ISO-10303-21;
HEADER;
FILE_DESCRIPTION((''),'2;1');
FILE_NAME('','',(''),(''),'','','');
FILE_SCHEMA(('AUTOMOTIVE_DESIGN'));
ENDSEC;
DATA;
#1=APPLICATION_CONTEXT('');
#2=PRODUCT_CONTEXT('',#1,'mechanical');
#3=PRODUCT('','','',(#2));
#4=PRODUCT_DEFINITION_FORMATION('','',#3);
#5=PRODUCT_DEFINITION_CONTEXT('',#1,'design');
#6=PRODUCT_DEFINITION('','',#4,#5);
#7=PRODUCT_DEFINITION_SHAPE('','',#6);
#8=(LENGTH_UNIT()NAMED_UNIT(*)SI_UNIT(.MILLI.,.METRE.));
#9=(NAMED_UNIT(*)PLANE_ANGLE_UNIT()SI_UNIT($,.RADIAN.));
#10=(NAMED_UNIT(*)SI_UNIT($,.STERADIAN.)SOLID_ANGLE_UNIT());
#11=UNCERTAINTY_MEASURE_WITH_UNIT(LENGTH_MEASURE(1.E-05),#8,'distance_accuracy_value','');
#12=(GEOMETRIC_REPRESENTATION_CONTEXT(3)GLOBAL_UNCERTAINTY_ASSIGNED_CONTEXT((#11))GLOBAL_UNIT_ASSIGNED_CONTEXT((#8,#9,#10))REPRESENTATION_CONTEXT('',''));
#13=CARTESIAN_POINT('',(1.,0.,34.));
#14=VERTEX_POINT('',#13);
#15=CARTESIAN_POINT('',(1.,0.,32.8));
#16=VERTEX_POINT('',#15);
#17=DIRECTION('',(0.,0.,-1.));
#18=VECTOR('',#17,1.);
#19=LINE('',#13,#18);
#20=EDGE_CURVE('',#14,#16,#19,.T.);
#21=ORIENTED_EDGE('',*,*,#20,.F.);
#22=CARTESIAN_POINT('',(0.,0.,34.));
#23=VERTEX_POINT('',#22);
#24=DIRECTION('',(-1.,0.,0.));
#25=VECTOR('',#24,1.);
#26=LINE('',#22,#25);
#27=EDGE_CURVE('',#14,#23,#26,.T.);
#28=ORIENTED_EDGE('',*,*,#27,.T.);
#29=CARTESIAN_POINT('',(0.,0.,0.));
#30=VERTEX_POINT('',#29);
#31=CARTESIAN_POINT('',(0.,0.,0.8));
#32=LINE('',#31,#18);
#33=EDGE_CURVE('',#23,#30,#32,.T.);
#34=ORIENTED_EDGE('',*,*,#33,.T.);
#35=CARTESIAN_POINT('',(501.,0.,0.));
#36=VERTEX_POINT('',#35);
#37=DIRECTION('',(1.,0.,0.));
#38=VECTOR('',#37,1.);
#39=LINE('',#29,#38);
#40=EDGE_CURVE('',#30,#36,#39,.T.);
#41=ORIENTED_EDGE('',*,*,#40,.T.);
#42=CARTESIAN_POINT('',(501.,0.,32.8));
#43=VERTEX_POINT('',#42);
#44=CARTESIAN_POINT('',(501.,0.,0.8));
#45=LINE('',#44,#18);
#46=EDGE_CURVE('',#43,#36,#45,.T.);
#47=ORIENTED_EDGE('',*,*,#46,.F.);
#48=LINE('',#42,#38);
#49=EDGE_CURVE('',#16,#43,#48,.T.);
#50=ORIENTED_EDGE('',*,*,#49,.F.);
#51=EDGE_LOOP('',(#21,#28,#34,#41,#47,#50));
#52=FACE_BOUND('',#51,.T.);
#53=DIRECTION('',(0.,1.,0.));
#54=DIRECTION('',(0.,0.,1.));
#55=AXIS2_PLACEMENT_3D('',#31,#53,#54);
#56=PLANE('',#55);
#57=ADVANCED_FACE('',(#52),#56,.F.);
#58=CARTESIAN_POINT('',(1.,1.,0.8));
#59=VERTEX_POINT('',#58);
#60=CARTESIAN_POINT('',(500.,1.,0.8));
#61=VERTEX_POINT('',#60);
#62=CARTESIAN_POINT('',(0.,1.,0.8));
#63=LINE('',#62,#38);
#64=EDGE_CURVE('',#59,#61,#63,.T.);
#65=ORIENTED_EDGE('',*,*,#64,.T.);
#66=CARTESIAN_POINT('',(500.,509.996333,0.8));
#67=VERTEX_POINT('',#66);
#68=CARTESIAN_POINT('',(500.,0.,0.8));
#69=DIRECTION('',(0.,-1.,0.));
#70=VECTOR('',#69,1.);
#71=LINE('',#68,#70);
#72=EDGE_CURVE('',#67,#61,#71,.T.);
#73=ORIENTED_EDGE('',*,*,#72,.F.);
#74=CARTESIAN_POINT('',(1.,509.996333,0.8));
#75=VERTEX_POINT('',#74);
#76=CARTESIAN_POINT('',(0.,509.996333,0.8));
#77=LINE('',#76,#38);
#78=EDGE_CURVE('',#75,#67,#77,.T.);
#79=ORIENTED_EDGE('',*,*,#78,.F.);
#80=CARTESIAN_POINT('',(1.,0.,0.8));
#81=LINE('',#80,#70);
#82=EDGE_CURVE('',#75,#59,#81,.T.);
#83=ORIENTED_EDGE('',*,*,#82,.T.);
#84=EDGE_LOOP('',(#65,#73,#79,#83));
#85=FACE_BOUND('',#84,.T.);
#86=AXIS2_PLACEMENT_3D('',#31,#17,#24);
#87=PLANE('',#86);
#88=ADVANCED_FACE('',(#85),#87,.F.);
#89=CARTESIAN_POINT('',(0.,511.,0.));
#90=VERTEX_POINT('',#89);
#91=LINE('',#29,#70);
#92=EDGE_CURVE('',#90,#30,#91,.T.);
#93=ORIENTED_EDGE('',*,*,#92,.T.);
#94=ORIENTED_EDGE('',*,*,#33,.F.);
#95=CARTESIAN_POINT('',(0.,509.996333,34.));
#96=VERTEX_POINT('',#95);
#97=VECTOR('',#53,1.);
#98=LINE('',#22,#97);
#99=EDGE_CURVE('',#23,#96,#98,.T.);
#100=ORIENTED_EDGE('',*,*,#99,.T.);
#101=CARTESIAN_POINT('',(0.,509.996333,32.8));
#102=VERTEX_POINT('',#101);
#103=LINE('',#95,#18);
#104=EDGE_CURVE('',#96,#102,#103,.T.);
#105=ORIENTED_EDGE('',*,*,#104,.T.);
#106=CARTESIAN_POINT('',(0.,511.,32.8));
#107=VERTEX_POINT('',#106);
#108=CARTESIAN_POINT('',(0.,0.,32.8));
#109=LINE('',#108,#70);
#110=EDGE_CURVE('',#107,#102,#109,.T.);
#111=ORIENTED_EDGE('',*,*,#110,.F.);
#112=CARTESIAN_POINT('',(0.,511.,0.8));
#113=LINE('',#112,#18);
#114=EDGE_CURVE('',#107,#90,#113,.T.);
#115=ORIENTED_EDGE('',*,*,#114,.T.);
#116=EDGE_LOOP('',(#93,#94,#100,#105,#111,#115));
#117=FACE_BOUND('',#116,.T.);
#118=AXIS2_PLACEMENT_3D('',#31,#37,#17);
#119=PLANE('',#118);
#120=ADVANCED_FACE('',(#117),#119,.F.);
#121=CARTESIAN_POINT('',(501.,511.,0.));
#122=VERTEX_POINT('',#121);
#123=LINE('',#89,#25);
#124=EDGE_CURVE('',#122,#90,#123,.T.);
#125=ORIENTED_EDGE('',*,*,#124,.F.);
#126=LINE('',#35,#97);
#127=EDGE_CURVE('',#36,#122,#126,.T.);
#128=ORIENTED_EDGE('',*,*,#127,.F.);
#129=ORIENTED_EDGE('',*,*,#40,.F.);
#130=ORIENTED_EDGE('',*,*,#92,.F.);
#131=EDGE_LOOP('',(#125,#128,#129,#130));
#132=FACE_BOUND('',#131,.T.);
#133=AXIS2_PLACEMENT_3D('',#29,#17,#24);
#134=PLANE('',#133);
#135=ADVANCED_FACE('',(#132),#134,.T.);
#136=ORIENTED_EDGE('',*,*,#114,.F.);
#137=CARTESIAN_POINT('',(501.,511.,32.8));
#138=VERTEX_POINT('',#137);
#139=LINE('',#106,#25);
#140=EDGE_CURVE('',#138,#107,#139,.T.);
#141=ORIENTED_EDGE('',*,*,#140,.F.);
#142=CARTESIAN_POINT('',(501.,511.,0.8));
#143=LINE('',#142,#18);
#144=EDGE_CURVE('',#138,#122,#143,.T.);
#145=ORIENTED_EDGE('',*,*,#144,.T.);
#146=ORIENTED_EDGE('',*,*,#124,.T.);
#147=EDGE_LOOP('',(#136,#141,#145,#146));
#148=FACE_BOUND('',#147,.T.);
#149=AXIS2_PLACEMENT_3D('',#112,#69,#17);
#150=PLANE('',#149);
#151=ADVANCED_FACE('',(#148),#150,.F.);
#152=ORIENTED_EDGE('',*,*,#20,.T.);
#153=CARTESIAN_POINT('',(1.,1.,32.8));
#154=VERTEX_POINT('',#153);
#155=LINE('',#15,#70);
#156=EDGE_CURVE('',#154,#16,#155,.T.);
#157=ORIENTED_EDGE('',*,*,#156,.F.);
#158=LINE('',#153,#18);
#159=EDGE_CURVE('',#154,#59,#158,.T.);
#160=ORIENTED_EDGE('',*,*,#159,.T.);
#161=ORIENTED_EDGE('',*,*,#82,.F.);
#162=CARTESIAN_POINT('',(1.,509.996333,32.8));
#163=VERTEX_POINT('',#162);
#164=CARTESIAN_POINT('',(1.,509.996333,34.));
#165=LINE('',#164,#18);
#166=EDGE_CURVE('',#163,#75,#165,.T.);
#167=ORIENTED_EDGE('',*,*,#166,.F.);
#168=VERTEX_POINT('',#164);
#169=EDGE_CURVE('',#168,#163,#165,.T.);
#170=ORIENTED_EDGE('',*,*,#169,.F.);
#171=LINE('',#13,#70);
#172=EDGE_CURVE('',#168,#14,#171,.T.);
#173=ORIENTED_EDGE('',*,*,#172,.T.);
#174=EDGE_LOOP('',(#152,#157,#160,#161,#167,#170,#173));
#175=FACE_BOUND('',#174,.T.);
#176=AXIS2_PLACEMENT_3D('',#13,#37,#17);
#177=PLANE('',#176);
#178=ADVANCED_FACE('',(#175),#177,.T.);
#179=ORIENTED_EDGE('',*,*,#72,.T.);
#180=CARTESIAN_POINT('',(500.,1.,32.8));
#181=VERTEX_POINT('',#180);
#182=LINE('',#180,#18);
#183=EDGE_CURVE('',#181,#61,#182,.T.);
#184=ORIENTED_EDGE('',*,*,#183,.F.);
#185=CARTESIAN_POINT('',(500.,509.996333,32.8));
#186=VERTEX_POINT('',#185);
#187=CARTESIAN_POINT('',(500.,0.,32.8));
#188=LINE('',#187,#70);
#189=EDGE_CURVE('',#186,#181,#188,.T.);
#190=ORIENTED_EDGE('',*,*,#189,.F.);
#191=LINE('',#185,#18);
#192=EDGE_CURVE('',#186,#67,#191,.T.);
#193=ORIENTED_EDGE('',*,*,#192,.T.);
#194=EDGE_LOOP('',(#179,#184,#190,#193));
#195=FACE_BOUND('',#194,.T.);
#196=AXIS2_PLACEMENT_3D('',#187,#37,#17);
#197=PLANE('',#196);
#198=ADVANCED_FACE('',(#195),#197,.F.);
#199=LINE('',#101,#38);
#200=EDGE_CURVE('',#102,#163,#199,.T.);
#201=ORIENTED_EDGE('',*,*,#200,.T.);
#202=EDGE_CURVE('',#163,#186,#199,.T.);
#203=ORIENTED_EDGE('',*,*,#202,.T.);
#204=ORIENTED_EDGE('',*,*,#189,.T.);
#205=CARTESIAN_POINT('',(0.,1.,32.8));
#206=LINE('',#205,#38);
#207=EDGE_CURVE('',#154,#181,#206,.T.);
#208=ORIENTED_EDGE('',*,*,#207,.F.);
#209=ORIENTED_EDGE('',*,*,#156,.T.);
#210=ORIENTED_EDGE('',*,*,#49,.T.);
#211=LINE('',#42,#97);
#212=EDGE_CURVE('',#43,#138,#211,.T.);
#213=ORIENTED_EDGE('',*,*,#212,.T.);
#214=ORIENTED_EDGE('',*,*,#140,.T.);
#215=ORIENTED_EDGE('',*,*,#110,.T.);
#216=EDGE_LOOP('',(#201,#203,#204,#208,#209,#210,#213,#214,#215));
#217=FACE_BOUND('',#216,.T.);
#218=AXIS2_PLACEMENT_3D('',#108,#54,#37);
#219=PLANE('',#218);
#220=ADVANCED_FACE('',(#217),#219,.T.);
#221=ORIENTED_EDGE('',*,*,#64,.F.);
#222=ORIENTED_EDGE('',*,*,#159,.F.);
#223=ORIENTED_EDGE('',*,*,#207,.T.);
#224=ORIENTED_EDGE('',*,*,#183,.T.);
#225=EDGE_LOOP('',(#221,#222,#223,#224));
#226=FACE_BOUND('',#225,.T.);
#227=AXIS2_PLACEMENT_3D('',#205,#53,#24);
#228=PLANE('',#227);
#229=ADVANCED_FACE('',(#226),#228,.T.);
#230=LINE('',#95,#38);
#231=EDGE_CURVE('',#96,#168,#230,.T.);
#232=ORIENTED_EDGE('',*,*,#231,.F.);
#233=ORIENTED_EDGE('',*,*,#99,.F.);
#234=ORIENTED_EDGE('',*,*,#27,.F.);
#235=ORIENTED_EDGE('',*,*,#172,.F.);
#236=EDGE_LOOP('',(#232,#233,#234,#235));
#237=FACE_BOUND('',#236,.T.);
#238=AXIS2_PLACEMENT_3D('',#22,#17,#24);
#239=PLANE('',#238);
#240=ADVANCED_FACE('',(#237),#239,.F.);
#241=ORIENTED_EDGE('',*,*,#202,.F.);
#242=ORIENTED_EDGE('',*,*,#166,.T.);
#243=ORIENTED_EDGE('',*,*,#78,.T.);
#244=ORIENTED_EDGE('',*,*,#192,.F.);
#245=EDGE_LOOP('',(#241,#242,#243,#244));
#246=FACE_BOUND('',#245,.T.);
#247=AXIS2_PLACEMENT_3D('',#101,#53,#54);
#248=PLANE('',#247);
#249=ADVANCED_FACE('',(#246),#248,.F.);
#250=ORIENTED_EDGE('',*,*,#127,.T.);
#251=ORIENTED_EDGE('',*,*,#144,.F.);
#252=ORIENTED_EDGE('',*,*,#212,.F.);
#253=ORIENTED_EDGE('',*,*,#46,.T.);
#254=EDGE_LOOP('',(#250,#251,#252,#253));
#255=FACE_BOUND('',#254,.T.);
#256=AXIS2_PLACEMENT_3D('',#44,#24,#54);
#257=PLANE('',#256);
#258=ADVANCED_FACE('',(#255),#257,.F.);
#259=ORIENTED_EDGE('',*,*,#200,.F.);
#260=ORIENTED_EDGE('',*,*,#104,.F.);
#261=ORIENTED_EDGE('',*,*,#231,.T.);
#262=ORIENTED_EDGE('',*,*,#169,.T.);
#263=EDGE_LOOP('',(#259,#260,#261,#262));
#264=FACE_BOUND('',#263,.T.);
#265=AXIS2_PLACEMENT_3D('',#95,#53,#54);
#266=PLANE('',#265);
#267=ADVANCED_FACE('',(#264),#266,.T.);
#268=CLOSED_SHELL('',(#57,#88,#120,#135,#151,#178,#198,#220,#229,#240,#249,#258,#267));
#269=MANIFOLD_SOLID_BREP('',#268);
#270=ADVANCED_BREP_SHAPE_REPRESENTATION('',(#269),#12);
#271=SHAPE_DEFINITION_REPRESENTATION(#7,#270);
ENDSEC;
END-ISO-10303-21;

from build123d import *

# Parameters (mm, degrees)
SKETCH1_W           = 501
SKETCH1_H           = 511
BOSS_EXTRUDE1_DEPTH = 0.8
SKETCH2_W           = 501
SKETCH2_H           = 1.003667413
BOSS_EXTRUDE2_DEPTH = 32
SKETCH3_W           = 1
SKETCH3_H           = 509.996332587
BOSS_EXTRUDE3_DEPTH = 32
SKETCH7_W           = 1
SKETCH7_H           = 509.996332587
BOSS_EXTRUDE4_DEPTH = 34
SKETCH8_W           = 499
SKETCH8_H           = 1
BOSS_EXTRUDE5_DEPTH = 32


with BuildPart() as part:
    # Sketch1 → Boss-Extrude1 (new body)
    with BuildSketch(Plane.XY):
        with Locations((250.5, 255.5)):
            Rectangle(SKETCH1_W, SKETCH1_H)
    extrude(amount=BOSS_EXTRUDE1_DEPTH)

    # Sketch2 → Boss-Extrude2 (add)
    with BuildSketch(Plane.XY.offset(0.8)):
        with Locations((250.5, 510.498166294)):
            Rectangle(SKETCH2_W, SKETCH2_H)
    extrude(amount=BOSS_EXTRUDE2_DEPTH)

    # Sketch3 → Boss-Extrude3 (add)
    with BuildSketch(Plane.XY.offset(0.8)):
        with Locations((500.5, 254.998166294)):
            Rectangle(SKETCH3_W, SKETCH3_H)
    extrude(amount=BOSS_EXTRUDE3_DEPTH)

    # Sketch7 → Boss-Extrude4 (add)
    with BuildSketch(Plane(origin=(0, 0, 0), x_dir=(-1, 0, 0), z_dir=(0, 0, -1))):
        with Locations((-0.5, 254.998166294)):
            Rectangle(SKETCH7_W, SKETCH7_H)
    extrude(amount=-BOSS_EXTRUDE4_DEPTH)

    # Sketch8 → Boss-Extrude5 (add)
    with BuildSketch(Plane.XY.offset(0.8)):
        with Locations((250.5, 0.5)):
            Rectangle(SKETCH8_W, SKETCH8_H)
    extrude(amount=BOSS_EXTRUDE5_DEPTH)


solid = part.part
